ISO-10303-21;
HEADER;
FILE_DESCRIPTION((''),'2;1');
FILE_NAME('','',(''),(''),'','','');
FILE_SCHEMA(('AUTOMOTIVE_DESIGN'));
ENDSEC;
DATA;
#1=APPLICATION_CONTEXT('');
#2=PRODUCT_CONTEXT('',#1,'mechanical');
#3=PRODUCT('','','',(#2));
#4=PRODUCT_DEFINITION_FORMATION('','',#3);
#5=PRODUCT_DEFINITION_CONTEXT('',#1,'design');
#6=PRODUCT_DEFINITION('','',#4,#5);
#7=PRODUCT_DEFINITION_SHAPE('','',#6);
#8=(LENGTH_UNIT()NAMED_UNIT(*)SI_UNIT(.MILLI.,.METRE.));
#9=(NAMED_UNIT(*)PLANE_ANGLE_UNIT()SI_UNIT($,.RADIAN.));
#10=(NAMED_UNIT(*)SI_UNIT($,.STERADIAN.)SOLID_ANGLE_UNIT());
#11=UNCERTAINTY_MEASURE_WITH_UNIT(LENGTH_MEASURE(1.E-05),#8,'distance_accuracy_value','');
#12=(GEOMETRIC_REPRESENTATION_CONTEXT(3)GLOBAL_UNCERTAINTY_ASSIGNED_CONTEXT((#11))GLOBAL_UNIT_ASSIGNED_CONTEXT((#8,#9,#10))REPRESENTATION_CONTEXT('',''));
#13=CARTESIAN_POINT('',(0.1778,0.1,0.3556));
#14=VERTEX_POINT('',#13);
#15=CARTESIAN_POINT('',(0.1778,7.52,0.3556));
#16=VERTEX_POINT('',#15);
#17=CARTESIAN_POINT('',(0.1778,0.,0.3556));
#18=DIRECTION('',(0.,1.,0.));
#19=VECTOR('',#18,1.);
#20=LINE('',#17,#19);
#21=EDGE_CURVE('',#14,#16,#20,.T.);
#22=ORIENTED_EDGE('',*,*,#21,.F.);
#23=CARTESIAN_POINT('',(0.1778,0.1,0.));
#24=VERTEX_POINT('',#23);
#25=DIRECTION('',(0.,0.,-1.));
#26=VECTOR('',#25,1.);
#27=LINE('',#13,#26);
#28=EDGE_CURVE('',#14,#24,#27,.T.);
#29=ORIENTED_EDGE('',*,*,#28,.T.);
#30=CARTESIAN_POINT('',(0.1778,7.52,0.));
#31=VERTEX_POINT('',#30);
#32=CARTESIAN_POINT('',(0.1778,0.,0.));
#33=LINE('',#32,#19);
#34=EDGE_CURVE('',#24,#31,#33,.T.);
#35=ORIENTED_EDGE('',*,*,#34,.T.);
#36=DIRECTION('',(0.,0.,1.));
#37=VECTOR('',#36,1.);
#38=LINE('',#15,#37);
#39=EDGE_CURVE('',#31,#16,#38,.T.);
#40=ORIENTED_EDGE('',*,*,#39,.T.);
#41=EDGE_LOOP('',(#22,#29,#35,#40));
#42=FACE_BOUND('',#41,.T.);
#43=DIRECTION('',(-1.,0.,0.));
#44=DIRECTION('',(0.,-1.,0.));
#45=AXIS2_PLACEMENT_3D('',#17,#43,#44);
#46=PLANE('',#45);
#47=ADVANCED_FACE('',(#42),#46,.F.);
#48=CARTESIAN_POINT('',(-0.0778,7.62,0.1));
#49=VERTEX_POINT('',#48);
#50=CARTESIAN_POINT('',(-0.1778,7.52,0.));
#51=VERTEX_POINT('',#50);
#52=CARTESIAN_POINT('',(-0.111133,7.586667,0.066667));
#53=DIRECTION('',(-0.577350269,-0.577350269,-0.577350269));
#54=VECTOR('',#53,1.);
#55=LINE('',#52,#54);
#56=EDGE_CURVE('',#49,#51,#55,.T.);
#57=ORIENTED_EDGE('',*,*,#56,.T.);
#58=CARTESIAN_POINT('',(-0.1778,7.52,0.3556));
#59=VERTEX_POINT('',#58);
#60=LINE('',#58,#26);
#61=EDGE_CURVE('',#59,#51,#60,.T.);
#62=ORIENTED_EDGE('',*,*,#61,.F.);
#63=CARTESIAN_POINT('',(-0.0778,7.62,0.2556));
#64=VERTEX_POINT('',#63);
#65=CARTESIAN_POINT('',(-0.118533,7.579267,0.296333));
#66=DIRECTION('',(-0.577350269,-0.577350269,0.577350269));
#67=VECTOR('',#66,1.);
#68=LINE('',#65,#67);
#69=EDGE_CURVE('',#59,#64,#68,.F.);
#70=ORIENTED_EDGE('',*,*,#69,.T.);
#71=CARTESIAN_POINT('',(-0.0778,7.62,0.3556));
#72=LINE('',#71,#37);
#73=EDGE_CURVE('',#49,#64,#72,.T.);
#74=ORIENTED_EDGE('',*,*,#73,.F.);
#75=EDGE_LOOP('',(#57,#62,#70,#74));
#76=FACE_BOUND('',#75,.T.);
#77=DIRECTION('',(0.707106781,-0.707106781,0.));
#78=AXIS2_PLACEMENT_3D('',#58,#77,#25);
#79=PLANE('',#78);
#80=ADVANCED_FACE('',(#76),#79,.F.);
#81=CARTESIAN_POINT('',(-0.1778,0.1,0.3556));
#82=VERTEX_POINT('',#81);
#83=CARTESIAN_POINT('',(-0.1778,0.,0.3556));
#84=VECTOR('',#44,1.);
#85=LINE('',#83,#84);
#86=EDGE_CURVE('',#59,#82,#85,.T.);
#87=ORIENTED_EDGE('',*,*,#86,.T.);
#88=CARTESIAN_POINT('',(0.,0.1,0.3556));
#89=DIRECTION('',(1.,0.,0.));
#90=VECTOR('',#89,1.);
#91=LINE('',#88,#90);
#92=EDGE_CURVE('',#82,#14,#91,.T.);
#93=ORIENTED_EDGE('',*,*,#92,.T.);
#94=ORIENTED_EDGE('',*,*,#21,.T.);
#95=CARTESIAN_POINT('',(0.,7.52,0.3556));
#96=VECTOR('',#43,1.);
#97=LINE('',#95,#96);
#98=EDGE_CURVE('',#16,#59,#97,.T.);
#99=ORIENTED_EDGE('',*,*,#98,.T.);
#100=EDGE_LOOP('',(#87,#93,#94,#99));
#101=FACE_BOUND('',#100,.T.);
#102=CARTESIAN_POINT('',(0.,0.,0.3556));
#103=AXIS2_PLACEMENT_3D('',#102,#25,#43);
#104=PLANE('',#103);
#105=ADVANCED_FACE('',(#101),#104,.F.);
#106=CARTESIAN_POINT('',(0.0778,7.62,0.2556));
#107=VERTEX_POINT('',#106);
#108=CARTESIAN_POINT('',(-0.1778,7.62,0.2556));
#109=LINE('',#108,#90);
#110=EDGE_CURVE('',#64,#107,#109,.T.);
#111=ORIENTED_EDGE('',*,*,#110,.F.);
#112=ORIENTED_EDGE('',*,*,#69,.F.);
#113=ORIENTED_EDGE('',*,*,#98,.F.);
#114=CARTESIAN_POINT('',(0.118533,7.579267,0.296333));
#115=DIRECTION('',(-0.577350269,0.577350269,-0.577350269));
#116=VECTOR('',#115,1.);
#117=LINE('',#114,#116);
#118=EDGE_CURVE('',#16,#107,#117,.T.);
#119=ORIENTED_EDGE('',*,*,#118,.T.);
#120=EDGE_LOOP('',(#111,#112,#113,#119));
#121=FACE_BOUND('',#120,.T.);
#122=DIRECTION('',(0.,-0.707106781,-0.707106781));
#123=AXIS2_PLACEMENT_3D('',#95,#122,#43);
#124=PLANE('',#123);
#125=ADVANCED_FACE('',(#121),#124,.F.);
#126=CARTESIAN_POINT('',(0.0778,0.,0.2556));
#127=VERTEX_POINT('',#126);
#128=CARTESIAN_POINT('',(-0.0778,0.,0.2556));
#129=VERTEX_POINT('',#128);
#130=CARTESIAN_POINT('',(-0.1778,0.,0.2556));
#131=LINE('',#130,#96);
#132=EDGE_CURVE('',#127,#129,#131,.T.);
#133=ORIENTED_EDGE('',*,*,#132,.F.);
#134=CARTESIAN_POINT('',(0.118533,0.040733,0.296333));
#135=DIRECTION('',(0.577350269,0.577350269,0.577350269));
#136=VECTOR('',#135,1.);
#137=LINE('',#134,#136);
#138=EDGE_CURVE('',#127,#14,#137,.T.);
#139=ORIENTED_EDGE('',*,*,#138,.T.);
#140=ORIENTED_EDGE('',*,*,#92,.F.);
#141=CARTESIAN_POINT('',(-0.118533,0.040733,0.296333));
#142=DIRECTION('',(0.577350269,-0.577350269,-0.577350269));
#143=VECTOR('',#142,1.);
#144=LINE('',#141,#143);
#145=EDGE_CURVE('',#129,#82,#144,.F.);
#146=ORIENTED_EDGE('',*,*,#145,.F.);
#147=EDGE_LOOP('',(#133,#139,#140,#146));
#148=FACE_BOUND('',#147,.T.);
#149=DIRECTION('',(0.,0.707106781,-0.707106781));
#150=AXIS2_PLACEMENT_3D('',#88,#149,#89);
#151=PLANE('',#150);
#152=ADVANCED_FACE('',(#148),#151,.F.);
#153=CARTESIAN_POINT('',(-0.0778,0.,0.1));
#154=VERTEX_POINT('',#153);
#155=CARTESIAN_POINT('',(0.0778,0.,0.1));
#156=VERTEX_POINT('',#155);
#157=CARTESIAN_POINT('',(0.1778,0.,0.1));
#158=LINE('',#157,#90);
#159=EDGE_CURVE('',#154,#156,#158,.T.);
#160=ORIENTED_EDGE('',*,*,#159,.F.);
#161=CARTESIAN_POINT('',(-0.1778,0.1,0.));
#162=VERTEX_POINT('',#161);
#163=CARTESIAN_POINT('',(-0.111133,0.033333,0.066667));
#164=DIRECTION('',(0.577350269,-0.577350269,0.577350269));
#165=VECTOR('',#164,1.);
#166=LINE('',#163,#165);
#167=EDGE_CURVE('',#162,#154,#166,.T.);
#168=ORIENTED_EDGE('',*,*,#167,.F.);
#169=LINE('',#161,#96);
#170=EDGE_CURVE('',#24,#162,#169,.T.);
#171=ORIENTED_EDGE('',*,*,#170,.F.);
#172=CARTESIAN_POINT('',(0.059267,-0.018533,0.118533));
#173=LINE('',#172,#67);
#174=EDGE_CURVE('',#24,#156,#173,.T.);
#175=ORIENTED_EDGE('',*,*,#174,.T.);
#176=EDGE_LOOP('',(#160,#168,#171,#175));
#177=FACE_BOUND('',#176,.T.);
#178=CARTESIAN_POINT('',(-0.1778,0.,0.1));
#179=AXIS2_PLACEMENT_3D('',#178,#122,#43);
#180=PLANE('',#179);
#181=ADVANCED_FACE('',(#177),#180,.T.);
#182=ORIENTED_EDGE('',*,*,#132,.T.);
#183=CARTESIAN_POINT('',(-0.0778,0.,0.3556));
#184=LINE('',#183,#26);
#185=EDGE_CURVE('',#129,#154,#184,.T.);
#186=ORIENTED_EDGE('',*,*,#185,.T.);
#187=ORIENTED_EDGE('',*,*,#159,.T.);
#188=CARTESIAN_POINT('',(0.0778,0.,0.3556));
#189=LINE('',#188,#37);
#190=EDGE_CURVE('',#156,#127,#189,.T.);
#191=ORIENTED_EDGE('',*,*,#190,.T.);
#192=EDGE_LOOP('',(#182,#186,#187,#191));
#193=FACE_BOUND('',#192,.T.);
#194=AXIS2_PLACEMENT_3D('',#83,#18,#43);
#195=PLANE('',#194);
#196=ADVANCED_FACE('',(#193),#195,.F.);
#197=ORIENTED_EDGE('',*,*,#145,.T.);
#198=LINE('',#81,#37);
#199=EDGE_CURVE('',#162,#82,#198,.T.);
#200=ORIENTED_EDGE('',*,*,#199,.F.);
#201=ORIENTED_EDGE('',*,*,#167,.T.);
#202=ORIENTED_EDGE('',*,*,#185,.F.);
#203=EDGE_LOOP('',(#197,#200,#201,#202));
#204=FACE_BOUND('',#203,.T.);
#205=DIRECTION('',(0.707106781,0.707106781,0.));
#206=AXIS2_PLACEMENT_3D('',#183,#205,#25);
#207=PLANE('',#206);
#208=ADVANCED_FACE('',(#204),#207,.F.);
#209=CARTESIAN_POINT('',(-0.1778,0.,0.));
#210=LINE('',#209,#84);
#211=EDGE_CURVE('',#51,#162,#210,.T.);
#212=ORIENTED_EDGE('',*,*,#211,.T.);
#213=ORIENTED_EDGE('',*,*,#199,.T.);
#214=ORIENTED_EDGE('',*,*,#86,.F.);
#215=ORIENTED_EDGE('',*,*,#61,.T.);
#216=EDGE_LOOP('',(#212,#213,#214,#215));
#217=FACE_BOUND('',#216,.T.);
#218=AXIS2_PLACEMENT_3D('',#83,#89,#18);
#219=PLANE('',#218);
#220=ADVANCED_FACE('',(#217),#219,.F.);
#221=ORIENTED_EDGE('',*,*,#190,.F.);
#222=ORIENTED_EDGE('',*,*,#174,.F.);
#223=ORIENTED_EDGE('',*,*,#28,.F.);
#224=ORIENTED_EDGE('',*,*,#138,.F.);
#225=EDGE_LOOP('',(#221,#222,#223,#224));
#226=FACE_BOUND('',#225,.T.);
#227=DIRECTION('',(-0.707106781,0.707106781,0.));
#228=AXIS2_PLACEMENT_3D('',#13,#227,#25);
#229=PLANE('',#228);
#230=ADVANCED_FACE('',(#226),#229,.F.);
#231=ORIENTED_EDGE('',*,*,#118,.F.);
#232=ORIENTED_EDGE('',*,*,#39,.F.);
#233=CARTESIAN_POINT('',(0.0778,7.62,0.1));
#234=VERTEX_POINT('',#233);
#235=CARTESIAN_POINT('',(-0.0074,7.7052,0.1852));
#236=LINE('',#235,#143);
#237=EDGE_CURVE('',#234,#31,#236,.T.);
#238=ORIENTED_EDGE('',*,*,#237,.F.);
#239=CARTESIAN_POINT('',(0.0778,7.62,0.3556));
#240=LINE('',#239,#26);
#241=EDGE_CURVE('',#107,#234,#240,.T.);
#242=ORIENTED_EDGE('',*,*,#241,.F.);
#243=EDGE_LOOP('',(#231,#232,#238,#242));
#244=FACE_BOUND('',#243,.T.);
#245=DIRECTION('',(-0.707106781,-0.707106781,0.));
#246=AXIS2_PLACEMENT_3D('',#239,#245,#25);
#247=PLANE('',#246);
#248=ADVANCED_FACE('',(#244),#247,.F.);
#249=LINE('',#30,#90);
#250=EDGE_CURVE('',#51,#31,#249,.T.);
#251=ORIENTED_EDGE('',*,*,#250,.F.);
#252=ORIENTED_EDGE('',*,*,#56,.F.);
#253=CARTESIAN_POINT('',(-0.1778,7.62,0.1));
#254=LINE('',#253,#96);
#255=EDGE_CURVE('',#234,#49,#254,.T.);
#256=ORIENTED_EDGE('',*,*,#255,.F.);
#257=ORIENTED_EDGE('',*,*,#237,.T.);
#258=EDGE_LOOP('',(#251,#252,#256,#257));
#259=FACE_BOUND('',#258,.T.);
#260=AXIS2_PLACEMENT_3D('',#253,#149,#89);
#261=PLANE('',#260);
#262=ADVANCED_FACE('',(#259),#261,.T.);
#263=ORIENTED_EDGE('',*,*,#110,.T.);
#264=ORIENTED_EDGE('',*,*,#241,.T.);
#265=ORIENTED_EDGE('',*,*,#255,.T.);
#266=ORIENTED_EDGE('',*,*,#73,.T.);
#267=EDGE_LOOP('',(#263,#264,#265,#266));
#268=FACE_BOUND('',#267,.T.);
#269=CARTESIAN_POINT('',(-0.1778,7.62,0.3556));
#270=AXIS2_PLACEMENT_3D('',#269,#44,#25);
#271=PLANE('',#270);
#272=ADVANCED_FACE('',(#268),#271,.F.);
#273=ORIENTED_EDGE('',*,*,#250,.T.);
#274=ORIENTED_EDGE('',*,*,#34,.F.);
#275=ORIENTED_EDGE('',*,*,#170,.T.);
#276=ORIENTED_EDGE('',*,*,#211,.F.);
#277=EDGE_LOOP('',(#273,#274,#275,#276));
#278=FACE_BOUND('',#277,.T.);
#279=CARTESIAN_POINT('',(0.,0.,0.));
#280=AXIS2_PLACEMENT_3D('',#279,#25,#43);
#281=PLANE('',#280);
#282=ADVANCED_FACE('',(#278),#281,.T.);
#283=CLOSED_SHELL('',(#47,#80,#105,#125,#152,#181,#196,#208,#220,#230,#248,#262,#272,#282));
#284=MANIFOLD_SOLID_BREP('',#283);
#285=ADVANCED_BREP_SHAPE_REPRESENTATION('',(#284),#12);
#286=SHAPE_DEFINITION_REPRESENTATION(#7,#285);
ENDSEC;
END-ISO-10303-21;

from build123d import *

# Parameters (mm, degrees)
ESQUISSE1_W        = 0.3556
ESQUISSE1_H        = 7.62
BOSS_EXTRU_1_DEPTH = 0.3556
CHANFREIN1_SIZE    = 0.1


with BuildPart() as part:
    # Esquisse1 → Boss.-Extru.1 (new body)
    with BuildSketch(Plane.XY):
        with Locations((0, 3.81)):
            Rectangle(ESQUISSE1_W, ESQUISSE1_H)
    extrude(amount=BOSS_EXTRU_1_DEPTH)

    # Chanfrein1
    chanfrein1_edges = [part.edges().sort_by_distance(p)[0] for p in [
        (0, 7.62, 0.3556),
        (0, 7.62, 0),
        (0, 0, 0),
        (0, 0, 0.3556),
        (-0.1778, 7.62, 0.1778),
        (0.1778, 7.62, 0.1778),
        (0.1778, 0, 0.1778),
        (-0.1778, 0, 0.1778),
    ]]
    chamfer(chanfrein1_edges, length=CHANFREIN1_SIZE)


solid = part.part
